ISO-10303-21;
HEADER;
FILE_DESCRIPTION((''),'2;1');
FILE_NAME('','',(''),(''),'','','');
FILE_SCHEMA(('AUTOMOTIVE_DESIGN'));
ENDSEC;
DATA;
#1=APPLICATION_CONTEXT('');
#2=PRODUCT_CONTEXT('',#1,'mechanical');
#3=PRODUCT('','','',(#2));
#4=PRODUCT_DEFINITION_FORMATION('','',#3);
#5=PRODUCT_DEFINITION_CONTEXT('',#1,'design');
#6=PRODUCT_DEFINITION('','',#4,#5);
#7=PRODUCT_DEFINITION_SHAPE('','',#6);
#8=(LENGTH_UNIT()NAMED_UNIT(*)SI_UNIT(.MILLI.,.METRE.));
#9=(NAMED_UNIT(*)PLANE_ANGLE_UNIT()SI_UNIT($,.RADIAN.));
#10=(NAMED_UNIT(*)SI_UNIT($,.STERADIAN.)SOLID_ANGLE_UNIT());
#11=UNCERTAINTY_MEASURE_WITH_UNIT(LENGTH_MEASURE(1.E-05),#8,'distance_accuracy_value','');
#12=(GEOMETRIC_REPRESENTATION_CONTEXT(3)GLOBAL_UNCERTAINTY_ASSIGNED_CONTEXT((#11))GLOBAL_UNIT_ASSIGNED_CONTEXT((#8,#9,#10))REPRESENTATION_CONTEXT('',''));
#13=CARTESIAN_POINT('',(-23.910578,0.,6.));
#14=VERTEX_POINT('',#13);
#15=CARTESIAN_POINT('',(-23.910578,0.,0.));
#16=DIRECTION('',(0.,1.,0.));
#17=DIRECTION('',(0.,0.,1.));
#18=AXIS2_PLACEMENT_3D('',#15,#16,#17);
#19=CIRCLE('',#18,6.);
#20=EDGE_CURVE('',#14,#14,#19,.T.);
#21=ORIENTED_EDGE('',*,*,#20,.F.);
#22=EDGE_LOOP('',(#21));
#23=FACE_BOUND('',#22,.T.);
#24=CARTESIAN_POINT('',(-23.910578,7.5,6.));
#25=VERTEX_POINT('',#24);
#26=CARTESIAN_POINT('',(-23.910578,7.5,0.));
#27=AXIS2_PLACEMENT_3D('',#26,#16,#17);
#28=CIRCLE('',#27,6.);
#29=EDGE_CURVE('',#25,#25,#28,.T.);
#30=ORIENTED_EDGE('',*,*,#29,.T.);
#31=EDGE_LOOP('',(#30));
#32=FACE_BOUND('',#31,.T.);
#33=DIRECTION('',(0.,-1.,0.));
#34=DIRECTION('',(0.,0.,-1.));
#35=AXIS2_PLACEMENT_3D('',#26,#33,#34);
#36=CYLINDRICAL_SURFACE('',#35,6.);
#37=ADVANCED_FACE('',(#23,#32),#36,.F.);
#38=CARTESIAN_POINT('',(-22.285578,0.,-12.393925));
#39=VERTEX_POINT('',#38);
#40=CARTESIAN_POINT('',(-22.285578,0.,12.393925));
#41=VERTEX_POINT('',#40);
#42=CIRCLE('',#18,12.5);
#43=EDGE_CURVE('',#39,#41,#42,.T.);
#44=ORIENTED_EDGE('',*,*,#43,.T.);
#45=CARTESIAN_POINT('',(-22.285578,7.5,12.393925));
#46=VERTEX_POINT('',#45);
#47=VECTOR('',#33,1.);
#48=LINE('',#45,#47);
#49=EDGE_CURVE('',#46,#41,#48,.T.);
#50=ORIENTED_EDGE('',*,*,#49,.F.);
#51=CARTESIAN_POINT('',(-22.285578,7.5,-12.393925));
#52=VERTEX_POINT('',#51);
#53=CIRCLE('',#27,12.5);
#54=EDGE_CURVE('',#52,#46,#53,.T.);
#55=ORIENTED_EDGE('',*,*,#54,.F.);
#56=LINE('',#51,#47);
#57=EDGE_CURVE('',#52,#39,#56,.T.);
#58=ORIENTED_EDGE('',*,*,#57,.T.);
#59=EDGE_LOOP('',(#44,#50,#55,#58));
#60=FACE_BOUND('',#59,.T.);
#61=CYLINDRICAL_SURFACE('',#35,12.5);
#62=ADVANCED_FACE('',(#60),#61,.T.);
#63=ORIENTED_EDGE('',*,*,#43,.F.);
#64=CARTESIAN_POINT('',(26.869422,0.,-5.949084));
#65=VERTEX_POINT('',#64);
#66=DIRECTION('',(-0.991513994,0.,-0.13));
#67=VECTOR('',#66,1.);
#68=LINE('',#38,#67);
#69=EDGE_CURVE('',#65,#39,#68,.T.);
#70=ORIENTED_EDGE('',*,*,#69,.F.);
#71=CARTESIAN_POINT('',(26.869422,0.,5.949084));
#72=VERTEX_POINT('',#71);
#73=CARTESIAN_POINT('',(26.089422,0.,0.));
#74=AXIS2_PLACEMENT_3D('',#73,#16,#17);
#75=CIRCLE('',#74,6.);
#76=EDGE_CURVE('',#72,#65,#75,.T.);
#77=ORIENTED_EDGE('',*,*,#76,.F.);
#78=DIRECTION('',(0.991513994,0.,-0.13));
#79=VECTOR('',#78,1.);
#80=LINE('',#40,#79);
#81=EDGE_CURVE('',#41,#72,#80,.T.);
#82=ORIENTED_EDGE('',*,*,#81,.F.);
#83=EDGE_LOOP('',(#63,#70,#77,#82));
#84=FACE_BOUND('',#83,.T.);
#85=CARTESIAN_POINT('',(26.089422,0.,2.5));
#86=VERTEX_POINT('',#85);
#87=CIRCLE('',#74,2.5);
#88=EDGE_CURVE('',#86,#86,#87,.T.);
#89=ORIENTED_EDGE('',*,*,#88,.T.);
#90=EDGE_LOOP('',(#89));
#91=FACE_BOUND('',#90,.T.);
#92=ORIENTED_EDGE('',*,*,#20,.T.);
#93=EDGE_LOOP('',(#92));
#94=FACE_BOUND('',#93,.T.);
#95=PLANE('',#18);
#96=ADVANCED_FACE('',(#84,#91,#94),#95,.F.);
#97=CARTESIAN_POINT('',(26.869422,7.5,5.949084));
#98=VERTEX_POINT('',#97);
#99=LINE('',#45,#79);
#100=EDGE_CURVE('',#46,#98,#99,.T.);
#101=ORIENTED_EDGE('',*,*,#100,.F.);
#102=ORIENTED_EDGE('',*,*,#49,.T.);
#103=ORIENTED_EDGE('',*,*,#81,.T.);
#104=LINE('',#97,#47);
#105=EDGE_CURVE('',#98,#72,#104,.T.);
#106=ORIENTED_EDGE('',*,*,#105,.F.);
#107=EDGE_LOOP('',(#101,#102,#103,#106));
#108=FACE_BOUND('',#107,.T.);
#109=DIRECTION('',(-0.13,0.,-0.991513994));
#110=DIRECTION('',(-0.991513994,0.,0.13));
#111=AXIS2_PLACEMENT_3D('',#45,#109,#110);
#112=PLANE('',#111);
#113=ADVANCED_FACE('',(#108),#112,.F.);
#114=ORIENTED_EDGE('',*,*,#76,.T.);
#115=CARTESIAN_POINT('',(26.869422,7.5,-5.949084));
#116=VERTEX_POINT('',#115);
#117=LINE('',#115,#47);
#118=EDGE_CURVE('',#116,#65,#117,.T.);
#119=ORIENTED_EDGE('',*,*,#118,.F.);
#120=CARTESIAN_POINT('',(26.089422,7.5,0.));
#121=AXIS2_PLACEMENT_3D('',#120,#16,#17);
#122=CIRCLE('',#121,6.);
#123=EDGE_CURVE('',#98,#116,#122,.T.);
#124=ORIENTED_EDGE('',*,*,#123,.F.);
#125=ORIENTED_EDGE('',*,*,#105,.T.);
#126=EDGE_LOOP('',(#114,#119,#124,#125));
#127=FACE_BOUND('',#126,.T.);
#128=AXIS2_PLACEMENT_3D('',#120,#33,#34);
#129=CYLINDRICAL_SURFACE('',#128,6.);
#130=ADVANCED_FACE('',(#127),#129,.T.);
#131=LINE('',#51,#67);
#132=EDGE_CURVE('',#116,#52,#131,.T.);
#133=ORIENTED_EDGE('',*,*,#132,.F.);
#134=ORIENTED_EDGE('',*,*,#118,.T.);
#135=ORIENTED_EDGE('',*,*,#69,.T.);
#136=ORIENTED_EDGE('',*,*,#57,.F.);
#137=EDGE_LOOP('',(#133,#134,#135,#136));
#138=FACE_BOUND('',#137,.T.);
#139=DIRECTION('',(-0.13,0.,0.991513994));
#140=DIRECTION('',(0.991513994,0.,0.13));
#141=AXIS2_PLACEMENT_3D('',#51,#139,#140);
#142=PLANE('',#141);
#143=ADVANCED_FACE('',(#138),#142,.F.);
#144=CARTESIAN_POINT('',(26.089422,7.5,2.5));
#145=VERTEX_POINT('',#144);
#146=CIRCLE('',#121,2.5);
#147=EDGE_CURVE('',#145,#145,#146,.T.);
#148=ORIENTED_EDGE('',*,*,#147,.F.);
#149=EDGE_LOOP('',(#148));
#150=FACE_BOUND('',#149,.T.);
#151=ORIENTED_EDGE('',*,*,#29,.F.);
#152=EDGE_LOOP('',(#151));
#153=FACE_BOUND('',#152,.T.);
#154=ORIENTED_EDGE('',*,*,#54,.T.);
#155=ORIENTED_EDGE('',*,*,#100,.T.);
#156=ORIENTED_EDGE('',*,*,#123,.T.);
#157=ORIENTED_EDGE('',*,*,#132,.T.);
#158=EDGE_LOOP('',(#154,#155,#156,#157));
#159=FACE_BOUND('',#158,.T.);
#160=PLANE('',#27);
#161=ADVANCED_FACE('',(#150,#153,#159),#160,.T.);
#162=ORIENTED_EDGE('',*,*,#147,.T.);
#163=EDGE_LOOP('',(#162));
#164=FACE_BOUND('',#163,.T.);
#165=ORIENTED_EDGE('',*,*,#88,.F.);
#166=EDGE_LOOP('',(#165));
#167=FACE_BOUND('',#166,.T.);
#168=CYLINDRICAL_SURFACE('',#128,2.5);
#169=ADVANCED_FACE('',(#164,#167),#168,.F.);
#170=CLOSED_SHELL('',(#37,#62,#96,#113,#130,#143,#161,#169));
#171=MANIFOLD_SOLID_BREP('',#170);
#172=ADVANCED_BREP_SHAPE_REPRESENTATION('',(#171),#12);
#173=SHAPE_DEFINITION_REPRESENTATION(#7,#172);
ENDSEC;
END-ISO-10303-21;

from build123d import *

# Parameters (mm, degrees)
SKETCH2_R           = 2.5
SKETCH2_R_2         = 6
BOSS_EXTRUDE1_DEPTH = 7.5


with BuildPart() as part:
    # Sketch2 → Boss-Extrude1 (new body)
    with BuildSketch(Plane(origin=(0, 0, 0), x_dir=(1, 0, 0), z_dir=(0, 1, 0))):
        with BuildLine():
            Line((-22.285577553, 12.393924923), (26.869422447, 5.949083963))
            ThreePointArc((26.869422447, 5.949083963), (32.089422447, 0), (26.869422447, -5.949083963))
            Line((26.869422447, -5.949083963), (-22.285577553, -12.393924923))
            ThreePointArc((-22.285577553, -12.393924923), (-36.410577553, 0), (-22.285577553, 12.393924923))
        make_face()
        with Locations((26.089422447, 0)):
            Circle(SKETCH2_R, mode=Mode.SUBTRACT)
        with Locations((-23.910577553, 0)):
            Circle(SKETCH2_R_2, mode=Mode.SUBTRACT)
    extrude(amount=BOSS_EXTRUDE1_DEPTH)


solid = part.part
